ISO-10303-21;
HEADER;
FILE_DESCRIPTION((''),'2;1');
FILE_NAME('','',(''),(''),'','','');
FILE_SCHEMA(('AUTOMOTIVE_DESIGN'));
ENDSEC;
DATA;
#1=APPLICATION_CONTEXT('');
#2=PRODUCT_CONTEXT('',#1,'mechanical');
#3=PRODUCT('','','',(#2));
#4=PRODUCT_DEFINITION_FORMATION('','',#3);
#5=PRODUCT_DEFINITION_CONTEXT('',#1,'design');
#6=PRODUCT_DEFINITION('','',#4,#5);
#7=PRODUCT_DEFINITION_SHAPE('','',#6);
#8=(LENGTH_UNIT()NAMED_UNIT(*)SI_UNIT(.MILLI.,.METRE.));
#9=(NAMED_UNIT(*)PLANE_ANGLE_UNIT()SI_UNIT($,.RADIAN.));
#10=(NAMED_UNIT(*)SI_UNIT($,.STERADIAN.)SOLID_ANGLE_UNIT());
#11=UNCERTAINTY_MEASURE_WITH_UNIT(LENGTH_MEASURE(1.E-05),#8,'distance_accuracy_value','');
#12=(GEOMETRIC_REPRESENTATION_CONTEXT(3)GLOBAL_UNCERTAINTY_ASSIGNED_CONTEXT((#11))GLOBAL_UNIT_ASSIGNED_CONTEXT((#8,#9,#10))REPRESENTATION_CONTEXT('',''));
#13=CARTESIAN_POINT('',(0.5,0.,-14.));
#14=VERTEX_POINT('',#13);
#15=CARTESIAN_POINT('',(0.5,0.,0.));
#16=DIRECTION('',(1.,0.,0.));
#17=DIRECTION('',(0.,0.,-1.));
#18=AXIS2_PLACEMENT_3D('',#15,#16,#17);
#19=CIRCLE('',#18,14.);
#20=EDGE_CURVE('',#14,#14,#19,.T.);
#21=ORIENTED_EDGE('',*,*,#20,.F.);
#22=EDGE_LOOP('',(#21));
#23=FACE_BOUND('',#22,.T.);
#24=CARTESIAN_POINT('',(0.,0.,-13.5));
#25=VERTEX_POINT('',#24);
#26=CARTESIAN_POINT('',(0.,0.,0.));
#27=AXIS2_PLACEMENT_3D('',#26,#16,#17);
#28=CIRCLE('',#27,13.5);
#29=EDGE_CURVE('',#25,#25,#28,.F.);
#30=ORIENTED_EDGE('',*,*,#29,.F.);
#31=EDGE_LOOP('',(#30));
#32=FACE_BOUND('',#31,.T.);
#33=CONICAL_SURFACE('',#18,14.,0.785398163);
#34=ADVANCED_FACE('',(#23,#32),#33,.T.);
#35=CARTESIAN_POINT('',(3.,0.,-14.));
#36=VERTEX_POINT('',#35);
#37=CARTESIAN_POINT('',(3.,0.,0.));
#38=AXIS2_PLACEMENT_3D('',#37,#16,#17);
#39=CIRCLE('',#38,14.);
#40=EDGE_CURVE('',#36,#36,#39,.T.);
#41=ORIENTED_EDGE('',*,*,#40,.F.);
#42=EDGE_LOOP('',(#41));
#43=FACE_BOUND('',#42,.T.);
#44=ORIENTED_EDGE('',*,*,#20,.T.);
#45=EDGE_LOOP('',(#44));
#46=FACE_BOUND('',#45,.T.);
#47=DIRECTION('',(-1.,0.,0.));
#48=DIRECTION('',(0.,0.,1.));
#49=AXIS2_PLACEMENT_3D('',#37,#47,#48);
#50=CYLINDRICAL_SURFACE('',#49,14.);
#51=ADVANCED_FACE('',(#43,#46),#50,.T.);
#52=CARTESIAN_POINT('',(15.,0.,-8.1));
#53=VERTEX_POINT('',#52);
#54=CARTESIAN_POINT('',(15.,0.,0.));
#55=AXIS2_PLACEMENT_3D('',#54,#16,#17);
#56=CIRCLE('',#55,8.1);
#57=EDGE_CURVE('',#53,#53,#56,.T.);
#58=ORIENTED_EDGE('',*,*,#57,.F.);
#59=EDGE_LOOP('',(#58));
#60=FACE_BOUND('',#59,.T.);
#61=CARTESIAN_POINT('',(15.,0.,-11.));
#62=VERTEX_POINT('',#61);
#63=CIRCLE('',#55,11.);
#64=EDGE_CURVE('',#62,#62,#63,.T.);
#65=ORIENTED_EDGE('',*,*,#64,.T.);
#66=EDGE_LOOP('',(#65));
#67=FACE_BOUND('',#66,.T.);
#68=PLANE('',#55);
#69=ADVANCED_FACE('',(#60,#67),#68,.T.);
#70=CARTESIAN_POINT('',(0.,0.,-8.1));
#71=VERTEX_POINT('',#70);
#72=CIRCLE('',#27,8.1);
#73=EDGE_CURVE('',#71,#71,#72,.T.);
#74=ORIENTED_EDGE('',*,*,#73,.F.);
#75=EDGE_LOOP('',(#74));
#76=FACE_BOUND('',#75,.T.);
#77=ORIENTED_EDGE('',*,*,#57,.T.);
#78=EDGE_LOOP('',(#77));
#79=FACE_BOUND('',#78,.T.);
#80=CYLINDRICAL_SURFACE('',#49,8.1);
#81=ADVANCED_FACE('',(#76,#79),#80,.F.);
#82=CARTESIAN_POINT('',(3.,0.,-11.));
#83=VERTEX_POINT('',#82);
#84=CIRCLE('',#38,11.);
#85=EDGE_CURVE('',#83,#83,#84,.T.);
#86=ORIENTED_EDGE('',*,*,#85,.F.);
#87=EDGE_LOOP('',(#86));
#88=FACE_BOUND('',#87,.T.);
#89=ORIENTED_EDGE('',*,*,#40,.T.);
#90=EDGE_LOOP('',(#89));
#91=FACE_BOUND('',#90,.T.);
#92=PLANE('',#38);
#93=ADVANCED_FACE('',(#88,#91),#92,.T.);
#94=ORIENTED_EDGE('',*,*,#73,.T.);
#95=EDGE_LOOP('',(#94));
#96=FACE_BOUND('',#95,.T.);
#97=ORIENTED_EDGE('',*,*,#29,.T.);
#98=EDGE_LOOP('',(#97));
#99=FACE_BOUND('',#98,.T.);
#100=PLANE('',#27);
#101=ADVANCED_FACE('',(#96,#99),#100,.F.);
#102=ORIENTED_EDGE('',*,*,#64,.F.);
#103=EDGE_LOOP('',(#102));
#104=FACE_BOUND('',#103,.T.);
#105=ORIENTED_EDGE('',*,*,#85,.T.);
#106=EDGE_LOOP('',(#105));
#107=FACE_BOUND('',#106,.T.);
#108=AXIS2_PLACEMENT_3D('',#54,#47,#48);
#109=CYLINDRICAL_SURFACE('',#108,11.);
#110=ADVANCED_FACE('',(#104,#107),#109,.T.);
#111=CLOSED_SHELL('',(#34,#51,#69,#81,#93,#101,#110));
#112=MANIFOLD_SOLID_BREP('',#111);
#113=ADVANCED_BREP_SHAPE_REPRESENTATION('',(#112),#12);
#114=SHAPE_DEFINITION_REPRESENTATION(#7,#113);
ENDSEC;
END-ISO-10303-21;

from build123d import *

# Parameters (mm, degrees)
SZKIC1_R                    = 14
SZKIC1_R_2                  = 8.1
DODANIE_WYCI_GNI_CIE1_DEPTH = 3
SZKIC2_R                    = 11
SZKIC2_R_2                  = 8.1
DODANIE_WYCI_GNI_CIE2_DEPTH = 12
SFAZOWANIE1_SIZE            = 0.5


with BuildPart() as part:
    # Szkic1 → Dodanie-wyciągnięcie1 (new body)
    with BuildSketch(Plane(origin=(0, 0, 0), x_dir=(0, 0, -1), z_dir=(1, 0, 0))):
        Circle(SZKIC1_R)
        Circle(SZKIC1_R_2, mode=Mode.SUBTRACT)
    extrude(amount=DODANIE_WYCI_GNI_CIE1_DEPTH)

    # Szkic2 → Dodanie-wyciągnięcie2 (add)
    with BuildSketch(Plane(origin=(3, 0, 0), x_dir=(0, 0, -1), z_dir=(1, 0, 0))):
        Circle(SZKIC2_R)
        Circle(SZKIC2_R_2, mode=Mode.SUBTRACT)
    extrude(amount=DODANIE_WYCI_GNI_CIE2_DEPTH)

    # Sfazowanie1
    sfazowanie1_edges = [part.edges().sort_by_distance(p)[0] for p in [
        (0, 0, 14),
    ]]
    chamfer(sfazowanie1_edges, length=SFAZOWANIE1_SIZE)


solid = part.part
